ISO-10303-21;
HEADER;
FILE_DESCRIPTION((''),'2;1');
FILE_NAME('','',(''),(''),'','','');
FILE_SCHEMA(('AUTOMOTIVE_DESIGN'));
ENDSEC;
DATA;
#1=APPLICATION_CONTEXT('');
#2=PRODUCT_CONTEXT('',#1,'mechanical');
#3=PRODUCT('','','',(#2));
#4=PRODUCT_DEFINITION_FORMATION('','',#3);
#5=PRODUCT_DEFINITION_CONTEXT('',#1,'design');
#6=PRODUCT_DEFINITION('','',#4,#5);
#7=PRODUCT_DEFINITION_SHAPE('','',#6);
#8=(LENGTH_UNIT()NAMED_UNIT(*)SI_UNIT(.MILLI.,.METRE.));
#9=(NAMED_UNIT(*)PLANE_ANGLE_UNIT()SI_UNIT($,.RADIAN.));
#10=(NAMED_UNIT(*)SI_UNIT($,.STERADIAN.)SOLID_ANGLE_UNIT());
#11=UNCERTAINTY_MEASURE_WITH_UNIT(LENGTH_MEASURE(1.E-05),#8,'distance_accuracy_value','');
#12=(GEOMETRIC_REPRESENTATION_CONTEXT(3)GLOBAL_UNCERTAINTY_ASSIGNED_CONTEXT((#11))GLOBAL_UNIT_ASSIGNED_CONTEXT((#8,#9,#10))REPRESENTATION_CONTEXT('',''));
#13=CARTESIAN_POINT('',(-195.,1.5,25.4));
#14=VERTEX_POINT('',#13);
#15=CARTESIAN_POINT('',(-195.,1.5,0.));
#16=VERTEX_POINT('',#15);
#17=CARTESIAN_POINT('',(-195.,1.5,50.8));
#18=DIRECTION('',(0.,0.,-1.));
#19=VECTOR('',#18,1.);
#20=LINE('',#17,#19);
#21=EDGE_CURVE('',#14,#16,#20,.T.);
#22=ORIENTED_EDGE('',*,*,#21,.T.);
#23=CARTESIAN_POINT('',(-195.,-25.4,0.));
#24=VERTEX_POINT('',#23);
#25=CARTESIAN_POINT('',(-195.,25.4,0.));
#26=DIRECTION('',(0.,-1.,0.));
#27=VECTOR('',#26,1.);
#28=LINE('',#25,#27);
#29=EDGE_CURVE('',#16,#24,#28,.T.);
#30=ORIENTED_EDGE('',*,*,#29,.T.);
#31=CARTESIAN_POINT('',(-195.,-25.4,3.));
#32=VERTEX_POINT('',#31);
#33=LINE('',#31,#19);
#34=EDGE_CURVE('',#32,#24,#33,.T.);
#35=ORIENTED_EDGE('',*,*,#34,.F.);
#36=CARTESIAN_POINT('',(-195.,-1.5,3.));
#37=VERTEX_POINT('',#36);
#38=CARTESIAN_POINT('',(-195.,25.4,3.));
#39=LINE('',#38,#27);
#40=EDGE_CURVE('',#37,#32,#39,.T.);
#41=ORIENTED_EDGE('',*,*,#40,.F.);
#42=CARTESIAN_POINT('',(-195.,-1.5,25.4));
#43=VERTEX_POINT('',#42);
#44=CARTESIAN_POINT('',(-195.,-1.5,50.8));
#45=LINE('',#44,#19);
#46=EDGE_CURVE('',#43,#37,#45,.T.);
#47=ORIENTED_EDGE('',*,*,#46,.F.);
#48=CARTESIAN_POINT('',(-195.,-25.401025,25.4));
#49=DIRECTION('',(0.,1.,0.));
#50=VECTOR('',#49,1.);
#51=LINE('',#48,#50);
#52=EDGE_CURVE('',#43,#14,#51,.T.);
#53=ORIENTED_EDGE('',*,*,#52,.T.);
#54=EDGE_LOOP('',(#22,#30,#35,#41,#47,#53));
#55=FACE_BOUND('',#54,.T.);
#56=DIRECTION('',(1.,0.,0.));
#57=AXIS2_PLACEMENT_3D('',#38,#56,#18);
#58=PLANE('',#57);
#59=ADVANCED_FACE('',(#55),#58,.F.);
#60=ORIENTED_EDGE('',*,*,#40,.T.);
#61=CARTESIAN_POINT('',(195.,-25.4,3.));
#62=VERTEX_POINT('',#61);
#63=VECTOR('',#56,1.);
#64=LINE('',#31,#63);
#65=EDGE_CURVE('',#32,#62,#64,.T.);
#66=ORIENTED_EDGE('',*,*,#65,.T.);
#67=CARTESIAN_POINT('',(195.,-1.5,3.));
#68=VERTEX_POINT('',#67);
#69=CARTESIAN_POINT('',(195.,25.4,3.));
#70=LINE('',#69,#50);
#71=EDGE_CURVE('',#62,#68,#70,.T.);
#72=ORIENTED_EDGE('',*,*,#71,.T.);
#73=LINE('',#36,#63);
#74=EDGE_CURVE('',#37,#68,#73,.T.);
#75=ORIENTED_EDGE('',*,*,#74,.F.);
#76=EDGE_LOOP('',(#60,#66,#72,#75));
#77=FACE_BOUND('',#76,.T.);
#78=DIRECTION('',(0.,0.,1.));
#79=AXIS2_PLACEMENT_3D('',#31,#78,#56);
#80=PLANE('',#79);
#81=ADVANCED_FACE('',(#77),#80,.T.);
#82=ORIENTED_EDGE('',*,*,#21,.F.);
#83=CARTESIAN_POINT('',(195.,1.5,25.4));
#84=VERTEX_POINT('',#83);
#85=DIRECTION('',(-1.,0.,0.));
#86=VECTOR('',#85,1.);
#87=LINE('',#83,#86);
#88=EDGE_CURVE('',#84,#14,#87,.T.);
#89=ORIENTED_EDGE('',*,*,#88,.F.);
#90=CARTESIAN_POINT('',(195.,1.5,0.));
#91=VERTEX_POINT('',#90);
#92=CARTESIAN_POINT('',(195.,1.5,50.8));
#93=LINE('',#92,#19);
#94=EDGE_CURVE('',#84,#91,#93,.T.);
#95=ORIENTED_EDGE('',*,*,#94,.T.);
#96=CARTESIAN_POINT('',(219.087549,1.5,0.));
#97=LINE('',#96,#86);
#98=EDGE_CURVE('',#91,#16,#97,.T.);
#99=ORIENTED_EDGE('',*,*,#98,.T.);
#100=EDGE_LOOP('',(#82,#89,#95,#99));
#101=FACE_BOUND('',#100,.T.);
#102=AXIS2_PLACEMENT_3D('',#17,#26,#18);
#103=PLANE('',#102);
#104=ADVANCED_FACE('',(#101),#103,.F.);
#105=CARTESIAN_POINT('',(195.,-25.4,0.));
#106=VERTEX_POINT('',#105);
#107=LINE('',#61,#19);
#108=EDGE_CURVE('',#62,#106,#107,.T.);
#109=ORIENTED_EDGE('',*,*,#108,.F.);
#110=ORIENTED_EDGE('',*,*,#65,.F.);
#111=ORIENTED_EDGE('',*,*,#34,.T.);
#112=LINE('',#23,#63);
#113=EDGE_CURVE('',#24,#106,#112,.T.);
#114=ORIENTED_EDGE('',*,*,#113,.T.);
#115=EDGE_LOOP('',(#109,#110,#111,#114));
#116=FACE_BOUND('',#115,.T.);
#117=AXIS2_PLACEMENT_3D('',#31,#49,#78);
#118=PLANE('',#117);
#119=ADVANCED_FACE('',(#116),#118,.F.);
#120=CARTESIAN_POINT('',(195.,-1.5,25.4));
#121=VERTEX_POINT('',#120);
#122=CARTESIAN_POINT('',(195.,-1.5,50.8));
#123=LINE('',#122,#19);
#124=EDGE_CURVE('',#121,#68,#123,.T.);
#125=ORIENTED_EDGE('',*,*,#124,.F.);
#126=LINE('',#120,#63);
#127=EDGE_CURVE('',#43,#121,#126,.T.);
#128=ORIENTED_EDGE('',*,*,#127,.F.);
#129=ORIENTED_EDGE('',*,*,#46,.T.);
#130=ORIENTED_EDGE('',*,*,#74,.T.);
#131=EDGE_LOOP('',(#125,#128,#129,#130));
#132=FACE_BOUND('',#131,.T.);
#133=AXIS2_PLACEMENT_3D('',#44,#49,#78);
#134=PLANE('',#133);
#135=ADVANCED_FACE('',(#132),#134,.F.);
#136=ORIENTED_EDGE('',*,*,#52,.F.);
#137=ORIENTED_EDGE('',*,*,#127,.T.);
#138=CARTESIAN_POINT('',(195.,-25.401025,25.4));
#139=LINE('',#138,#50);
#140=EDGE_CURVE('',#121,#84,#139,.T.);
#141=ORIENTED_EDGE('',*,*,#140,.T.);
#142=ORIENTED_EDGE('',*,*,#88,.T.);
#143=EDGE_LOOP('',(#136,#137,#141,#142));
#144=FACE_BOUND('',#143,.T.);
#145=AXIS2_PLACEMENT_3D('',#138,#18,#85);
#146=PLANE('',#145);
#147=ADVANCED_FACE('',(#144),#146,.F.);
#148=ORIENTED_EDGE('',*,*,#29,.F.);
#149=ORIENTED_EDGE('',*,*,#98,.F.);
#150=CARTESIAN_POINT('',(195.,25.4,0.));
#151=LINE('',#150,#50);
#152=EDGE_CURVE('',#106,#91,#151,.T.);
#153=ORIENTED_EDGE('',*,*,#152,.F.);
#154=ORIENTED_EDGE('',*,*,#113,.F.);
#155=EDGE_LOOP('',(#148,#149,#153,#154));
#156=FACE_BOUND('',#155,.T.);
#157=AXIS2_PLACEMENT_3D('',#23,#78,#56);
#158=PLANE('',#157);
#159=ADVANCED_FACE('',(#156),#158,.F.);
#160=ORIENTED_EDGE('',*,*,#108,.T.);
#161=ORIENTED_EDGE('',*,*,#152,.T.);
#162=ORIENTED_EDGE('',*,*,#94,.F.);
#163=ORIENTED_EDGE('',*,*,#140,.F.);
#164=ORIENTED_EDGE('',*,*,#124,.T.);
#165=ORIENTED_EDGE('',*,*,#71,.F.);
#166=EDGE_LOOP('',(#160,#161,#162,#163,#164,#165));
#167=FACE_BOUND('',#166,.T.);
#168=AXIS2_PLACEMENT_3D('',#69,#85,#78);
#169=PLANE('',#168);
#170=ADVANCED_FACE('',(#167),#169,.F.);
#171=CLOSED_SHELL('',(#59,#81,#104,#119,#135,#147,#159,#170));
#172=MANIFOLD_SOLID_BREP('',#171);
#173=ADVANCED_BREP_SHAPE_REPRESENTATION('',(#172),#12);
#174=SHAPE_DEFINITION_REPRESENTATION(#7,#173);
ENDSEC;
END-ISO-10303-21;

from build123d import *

# Parameters (mm, degrees)
CROQUIS1_W              = 390
CROQUIS1_H              = 50.8
SALIENTE_EXTRUIR1_DEPTH = 3
CROQUIS2_W              = 390
CROQUIS2_H              = 3
SALIENTE_EXTRUIR2_DEPTH = 47.8
CROQUIS3_W              = 3
CROQUIS3_H              = 23.9
CORTAR_EXTRUIR1_DEPTH   = 390
CORTAR_EXTRUIR2_REACH   = 205.296
CROQUIS4_W              = 390
CROQUIS4_H              = 25.4


with BuildPart() as part:
    # Croquis1 → Saliente-Extruir1 (new body)
    with BuildSketch(Plane.XY):
        Rectangle(CROQUIS1_W, CROQUIS1_H)
    extrude(amount=SALIENTE_EXTRUIR1_DEPTH)

    # Croquis2 → Saliente-Extruir2 (add)
    with BuildSketch(Plane.XY.offset(3)):
        Rectangle(CROQUIS2_W, CROQUIS2_H)
    extrude(amount=SALIENTE_EXTRUIR2_DEPTH)

    # Croquis3 → Cortar-Extruir1 (cut)
    with BuildSketch(Plane.ZY.offset(195)):
        with Locations((1.5, 13.45)):
            Rectangle(CROQUIS3_W, CROQUIS3_H)
    extrude(amount=-CORTAR_EXTRUIR1_DEPTH, mode=Mode.SUBTRACT)

    # Croquis4 → Cortar-Extruir2 (cut, up to next)
    with BuildSketch(Plane(origin=(0, 1.5, 0), x_dir=(1, 0, 0), z_dir=(0, 1, 0)), mode=Mode.PRIVATE) as cortar_extruir2_sk1:
        with Locations((0, -38.1)):
            Rectangle(CROQUIS4_W, CROQUIS4_H)
    cortar_extruir2_tool1 = extrude(cortar_extruir2_sk1.sketch, amount=-CORTAR_EXTRUIR2_REACH, mode=Mode.PRIVATE) & part.part
    add(cortar_extruir2_tool1.solids().sort_by_distance((0, 1.5, 38.1))[0], mode=Mode.SUBTRACT)


solid = part.part
